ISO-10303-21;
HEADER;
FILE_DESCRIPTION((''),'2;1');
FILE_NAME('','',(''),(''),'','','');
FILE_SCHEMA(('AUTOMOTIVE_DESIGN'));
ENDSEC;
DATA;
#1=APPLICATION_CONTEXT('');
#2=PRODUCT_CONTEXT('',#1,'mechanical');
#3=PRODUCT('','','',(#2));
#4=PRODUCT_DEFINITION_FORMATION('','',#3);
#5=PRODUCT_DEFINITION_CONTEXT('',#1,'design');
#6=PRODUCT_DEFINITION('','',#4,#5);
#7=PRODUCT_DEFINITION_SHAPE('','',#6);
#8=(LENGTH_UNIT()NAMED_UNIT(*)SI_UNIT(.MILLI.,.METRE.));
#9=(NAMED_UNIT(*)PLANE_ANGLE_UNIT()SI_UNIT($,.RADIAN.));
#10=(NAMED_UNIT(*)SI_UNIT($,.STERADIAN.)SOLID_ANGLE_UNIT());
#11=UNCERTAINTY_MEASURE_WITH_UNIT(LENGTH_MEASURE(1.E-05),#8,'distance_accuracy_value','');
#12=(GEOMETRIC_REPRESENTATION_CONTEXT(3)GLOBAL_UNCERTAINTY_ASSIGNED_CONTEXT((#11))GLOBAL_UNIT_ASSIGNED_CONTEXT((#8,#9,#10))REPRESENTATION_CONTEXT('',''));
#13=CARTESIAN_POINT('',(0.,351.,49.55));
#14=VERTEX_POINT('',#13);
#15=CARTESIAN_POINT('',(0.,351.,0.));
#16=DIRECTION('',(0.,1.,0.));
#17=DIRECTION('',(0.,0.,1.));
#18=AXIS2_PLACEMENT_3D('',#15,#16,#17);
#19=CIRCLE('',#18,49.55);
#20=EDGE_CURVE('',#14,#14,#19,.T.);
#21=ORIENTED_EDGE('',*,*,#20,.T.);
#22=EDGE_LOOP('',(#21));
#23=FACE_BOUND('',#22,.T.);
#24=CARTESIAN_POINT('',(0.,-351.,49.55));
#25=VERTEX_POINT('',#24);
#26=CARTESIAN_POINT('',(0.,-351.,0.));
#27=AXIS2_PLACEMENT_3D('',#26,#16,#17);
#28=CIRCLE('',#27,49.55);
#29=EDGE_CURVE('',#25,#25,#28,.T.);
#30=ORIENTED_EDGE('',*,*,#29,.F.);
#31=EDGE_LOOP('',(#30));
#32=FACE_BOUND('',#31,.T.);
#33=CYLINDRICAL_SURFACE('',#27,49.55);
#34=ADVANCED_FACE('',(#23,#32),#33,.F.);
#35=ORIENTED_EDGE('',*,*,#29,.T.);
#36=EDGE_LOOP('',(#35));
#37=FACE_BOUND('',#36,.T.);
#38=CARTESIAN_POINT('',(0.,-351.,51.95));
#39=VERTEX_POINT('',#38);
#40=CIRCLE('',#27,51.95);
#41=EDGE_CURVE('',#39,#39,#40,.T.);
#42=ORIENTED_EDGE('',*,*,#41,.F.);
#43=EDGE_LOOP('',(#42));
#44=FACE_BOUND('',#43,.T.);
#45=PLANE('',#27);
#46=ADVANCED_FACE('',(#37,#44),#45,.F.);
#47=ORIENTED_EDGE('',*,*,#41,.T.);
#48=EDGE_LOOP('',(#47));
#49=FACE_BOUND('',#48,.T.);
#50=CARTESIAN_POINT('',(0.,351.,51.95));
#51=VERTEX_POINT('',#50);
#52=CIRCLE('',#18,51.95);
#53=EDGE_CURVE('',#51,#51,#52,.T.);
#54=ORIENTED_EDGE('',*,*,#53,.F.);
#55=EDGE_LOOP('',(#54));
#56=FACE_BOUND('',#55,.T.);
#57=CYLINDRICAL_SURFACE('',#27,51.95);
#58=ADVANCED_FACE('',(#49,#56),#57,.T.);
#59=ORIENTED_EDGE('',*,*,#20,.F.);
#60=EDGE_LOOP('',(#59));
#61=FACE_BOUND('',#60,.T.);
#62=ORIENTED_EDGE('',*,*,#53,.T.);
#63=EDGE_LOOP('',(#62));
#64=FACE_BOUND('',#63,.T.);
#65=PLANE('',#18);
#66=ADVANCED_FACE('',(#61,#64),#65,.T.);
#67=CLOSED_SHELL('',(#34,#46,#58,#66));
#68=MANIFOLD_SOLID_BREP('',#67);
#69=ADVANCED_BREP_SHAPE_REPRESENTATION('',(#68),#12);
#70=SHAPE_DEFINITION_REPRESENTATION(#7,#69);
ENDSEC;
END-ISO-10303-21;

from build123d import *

# Parameters (mm, degrees)
BOSS_EXTRUDE1_DEPTH      = 351
BOSS_EXTRUDE1_DEPTH_BACK = 351
SKETCH1_R                = 51.95
SKETCH1_R_2              = 49.55


with BuildPart() as part:
    # Sketch1 → Boss-Extrude1 (new, two sides: drawn at the far end of the back side and taken through both)
    with BuildSketch(Plane(origin=(0, 0, 0), x_dir=(1, 0, 0), z_dir=(0, 1, 0)).offset(-BOSS_EXTRUDE1_DEPTH_BACK)):
        Circle(SKETCH1_R)
        Circle(SKETCH1_R_2, mode=Mode.SUBTRACT)
    extrude(amount=BOSS_EXTRUDE1_DEPTH + BOSS_EXTRUDE1_DEPTH_BACK)


solid = part.part
